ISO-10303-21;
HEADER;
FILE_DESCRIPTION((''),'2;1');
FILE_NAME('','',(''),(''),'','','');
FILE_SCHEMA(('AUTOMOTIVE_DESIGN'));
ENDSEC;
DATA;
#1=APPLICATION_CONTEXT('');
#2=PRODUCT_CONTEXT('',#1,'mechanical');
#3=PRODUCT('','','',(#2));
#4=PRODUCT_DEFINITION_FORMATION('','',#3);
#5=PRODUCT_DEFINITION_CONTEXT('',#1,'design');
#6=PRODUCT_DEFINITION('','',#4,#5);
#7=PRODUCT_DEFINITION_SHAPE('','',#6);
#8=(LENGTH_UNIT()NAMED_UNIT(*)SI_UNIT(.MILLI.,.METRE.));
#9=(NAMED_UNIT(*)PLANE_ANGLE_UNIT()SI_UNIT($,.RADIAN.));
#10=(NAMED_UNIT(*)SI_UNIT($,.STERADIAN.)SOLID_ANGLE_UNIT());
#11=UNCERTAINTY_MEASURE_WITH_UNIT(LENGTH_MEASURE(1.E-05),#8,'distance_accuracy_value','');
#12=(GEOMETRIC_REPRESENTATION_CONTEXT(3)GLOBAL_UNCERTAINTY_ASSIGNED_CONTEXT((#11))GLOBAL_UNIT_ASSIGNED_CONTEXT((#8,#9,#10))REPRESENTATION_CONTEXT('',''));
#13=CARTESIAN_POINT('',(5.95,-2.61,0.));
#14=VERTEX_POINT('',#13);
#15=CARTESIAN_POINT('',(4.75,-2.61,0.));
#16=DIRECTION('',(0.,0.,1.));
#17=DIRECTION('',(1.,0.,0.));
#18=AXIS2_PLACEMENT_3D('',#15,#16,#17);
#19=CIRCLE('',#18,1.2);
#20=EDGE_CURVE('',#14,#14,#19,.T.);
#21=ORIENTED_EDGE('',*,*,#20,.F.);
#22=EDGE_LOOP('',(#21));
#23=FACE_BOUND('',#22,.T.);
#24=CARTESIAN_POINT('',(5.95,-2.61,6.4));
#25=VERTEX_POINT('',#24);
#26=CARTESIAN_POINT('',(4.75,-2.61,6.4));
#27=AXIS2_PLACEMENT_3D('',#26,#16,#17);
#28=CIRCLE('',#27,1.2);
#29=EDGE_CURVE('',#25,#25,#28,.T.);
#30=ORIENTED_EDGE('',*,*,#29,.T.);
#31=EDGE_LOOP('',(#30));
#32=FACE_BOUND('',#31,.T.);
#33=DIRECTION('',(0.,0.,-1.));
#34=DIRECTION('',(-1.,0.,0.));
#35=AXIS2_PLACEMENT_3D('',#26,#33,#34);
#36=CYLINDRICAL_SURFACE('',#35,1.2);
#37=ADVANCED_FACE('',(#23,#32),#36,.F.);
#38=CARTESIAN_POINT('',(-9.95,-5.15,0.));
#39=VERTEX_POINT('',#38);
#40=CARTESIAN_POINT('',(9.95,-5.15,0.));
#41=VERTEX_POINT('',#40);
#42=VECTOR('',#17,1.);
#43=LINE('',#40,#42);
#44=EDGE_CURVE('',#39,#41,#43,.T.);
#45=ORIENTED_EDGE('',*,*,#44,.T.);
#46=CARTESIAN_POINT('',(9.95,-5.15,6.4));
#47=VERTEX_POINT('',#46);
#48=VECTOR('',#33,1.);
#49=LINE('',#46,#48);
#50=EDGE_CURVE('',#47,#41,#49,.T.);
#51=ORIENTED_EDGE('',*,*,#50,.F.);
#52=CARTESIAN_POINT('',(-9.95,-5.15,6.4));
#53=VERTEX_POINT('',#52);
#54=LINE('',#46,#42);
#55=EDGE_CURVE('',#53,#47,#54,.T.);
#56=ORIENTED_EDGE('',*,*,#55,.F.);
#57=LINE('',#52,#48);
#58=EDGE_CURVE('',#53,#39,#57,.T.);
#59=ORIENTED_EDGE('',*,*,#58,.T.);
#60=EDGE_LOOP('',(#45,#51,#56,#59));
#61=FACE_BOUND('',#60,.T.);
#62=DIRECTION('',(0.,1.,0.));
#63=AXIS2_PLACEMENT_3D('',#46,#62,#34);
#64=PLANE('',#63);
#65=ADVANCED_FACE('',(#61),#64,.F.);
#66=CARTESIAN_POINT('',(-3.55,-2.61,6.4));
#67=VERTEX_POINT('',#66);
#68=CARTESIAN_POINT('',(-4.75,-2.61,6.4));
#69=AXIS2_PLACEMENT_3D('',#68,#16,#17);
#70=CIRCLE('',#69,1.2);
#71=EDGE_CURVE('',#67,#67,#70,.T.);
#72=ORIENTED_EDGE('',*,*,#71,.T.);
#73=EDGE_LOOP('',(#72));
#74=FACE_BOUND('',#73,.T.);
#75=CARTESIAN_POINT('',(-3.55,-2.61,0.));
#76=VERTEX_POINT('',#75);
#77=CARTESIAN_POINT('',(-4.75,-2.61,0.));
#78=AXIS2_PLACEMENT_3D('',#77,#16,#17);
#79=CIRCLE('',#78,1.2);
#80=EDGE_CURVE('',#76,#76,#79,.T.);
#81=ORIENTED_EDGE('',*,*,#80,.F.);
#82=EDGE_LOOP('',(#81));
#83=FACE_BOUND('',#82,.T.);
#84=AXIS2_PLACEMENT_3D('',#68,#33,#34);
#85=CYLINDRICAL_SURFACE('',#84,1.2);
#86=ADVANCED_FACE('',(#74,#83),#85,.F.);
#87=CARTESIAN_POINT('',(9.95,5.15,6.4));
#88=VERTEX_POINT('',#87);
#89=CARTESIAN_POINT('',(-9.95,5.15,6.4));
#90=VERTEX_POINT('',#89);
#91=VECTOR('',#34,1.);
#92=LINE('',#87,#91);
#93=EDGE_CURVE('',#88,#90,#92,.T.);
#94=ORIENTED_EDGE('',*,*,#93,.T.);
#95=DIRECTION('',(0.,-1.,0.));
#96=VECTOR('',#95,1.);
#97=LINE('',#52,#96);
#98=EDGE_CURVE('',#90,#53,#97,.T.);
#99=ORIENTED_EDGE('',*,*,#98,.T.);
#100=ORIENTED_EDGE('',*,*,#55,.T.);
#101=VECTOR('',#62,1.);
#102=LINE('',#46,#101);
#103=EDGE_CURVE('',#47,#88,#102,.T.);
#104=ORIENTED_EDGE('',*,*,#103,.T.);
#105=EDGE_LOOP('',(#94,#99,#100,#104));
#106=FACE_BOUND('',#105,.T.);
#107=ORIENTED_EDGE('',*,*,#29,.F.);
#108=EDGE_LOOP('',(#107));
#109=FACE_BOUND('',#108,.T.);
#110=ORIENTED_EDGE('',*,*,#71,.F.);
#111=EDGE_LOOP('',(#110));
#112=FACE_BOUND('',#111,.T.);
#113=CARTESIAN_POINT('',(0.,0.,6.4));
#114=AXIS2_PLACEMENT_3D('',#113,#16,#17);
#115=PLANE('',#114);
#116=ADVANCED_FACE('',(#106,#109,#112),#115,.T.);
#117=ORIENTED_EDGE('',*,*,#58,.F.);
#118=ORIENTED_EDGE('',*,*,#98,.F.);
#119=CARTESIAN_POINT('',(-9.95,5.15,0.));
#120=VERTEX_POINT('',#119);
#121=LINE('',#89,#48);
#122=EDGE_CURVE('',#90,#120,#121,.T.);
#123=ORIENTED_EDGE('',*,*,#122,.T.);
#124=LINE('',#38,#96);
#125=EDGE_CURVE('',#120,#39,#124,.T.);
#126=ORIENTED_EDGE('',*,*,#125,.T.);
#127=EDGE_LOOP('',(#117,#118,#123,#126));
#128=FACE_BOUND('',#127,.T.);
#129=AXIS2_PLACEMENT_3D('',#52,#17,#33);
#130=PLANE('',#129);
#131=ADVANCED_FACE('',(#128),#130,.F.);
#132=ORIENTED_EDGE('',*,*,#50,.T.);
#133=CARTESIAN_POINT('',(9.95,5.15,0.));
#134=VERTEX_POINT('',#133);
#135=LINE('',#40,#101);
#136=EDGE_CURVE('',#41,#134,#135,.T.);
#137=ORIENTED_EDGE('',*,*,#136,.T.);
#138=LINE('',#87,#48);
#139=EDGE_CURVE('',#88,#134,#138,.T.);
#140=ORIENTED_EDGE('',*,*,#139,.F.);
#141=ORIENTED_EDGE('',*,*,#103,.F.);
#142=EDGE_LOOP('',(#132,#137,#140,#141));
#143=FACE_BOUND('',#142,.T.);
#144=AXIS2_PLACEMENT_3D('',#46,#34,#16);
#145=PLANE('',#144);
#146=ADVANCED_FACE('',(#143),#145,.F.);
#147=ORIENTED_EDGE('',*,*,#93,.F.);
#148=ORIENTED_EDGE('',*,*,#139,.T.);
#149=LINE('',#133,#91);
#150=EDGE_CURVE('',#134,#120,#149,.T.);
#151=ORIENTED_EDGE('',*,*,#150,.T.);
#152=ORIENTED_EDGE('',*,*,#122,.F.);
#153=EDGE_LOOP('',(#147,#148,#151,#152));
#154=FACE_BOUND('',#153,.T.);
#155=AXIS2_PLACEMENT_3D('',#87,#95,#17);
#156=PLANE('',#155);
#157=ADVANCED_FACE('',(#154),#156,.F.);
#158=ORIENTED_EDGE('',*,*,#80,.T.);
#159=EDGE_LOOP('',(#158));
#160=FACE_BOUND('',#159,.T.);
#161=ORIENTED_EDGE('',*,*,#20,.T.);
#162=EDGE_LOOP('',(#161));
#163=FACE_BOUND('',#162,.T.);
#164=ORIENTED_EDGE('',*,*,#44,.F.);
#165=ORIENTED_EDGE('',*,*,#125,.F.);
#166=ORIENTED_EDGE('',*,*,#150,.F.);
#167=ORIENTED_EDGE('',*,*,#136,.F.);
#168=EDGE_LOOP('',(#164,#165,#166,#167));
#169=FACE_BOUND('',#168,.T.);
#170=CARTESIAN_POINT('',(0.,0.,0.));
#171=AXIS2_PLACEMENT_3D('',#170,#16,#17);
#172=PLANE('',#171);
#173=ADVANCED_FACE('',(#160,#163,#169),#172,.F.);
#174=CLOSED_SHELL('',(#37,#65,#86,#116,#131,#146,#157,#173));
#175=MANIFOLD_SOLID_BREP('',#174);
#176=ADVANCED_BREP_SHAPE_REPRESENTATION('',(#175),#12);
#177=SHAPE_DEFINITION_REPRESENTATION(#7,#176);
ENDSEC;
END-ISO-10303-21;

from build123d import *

# Parameters (mm, degrees)
SKETCH1_W           = 19.9
SKETCH1_H           = 10.3
SKETCH1_R           = 1.2
BOSS_EXTRUDE1_DEPTH = 6.4


with BuildPart() as part:
    # Sketch1 → Boss-Extrude1 (new body)
    with BuildSketch(Plane.XY):
        Rectangle(SKETCH1_W, SKETCH1_H)
        with Locations((-4.75, -2.61)):
            Circle(SKETCH1_R, mode=Mode.SUBTRACT)
        with Locations((4.75, -2.61)):
            Circle(SKETCH1_R, mode=Mode.SUBTRACT)
    extrude(amount=BOSS_EXTRUDE1_DEPTH)


solid = part.part
